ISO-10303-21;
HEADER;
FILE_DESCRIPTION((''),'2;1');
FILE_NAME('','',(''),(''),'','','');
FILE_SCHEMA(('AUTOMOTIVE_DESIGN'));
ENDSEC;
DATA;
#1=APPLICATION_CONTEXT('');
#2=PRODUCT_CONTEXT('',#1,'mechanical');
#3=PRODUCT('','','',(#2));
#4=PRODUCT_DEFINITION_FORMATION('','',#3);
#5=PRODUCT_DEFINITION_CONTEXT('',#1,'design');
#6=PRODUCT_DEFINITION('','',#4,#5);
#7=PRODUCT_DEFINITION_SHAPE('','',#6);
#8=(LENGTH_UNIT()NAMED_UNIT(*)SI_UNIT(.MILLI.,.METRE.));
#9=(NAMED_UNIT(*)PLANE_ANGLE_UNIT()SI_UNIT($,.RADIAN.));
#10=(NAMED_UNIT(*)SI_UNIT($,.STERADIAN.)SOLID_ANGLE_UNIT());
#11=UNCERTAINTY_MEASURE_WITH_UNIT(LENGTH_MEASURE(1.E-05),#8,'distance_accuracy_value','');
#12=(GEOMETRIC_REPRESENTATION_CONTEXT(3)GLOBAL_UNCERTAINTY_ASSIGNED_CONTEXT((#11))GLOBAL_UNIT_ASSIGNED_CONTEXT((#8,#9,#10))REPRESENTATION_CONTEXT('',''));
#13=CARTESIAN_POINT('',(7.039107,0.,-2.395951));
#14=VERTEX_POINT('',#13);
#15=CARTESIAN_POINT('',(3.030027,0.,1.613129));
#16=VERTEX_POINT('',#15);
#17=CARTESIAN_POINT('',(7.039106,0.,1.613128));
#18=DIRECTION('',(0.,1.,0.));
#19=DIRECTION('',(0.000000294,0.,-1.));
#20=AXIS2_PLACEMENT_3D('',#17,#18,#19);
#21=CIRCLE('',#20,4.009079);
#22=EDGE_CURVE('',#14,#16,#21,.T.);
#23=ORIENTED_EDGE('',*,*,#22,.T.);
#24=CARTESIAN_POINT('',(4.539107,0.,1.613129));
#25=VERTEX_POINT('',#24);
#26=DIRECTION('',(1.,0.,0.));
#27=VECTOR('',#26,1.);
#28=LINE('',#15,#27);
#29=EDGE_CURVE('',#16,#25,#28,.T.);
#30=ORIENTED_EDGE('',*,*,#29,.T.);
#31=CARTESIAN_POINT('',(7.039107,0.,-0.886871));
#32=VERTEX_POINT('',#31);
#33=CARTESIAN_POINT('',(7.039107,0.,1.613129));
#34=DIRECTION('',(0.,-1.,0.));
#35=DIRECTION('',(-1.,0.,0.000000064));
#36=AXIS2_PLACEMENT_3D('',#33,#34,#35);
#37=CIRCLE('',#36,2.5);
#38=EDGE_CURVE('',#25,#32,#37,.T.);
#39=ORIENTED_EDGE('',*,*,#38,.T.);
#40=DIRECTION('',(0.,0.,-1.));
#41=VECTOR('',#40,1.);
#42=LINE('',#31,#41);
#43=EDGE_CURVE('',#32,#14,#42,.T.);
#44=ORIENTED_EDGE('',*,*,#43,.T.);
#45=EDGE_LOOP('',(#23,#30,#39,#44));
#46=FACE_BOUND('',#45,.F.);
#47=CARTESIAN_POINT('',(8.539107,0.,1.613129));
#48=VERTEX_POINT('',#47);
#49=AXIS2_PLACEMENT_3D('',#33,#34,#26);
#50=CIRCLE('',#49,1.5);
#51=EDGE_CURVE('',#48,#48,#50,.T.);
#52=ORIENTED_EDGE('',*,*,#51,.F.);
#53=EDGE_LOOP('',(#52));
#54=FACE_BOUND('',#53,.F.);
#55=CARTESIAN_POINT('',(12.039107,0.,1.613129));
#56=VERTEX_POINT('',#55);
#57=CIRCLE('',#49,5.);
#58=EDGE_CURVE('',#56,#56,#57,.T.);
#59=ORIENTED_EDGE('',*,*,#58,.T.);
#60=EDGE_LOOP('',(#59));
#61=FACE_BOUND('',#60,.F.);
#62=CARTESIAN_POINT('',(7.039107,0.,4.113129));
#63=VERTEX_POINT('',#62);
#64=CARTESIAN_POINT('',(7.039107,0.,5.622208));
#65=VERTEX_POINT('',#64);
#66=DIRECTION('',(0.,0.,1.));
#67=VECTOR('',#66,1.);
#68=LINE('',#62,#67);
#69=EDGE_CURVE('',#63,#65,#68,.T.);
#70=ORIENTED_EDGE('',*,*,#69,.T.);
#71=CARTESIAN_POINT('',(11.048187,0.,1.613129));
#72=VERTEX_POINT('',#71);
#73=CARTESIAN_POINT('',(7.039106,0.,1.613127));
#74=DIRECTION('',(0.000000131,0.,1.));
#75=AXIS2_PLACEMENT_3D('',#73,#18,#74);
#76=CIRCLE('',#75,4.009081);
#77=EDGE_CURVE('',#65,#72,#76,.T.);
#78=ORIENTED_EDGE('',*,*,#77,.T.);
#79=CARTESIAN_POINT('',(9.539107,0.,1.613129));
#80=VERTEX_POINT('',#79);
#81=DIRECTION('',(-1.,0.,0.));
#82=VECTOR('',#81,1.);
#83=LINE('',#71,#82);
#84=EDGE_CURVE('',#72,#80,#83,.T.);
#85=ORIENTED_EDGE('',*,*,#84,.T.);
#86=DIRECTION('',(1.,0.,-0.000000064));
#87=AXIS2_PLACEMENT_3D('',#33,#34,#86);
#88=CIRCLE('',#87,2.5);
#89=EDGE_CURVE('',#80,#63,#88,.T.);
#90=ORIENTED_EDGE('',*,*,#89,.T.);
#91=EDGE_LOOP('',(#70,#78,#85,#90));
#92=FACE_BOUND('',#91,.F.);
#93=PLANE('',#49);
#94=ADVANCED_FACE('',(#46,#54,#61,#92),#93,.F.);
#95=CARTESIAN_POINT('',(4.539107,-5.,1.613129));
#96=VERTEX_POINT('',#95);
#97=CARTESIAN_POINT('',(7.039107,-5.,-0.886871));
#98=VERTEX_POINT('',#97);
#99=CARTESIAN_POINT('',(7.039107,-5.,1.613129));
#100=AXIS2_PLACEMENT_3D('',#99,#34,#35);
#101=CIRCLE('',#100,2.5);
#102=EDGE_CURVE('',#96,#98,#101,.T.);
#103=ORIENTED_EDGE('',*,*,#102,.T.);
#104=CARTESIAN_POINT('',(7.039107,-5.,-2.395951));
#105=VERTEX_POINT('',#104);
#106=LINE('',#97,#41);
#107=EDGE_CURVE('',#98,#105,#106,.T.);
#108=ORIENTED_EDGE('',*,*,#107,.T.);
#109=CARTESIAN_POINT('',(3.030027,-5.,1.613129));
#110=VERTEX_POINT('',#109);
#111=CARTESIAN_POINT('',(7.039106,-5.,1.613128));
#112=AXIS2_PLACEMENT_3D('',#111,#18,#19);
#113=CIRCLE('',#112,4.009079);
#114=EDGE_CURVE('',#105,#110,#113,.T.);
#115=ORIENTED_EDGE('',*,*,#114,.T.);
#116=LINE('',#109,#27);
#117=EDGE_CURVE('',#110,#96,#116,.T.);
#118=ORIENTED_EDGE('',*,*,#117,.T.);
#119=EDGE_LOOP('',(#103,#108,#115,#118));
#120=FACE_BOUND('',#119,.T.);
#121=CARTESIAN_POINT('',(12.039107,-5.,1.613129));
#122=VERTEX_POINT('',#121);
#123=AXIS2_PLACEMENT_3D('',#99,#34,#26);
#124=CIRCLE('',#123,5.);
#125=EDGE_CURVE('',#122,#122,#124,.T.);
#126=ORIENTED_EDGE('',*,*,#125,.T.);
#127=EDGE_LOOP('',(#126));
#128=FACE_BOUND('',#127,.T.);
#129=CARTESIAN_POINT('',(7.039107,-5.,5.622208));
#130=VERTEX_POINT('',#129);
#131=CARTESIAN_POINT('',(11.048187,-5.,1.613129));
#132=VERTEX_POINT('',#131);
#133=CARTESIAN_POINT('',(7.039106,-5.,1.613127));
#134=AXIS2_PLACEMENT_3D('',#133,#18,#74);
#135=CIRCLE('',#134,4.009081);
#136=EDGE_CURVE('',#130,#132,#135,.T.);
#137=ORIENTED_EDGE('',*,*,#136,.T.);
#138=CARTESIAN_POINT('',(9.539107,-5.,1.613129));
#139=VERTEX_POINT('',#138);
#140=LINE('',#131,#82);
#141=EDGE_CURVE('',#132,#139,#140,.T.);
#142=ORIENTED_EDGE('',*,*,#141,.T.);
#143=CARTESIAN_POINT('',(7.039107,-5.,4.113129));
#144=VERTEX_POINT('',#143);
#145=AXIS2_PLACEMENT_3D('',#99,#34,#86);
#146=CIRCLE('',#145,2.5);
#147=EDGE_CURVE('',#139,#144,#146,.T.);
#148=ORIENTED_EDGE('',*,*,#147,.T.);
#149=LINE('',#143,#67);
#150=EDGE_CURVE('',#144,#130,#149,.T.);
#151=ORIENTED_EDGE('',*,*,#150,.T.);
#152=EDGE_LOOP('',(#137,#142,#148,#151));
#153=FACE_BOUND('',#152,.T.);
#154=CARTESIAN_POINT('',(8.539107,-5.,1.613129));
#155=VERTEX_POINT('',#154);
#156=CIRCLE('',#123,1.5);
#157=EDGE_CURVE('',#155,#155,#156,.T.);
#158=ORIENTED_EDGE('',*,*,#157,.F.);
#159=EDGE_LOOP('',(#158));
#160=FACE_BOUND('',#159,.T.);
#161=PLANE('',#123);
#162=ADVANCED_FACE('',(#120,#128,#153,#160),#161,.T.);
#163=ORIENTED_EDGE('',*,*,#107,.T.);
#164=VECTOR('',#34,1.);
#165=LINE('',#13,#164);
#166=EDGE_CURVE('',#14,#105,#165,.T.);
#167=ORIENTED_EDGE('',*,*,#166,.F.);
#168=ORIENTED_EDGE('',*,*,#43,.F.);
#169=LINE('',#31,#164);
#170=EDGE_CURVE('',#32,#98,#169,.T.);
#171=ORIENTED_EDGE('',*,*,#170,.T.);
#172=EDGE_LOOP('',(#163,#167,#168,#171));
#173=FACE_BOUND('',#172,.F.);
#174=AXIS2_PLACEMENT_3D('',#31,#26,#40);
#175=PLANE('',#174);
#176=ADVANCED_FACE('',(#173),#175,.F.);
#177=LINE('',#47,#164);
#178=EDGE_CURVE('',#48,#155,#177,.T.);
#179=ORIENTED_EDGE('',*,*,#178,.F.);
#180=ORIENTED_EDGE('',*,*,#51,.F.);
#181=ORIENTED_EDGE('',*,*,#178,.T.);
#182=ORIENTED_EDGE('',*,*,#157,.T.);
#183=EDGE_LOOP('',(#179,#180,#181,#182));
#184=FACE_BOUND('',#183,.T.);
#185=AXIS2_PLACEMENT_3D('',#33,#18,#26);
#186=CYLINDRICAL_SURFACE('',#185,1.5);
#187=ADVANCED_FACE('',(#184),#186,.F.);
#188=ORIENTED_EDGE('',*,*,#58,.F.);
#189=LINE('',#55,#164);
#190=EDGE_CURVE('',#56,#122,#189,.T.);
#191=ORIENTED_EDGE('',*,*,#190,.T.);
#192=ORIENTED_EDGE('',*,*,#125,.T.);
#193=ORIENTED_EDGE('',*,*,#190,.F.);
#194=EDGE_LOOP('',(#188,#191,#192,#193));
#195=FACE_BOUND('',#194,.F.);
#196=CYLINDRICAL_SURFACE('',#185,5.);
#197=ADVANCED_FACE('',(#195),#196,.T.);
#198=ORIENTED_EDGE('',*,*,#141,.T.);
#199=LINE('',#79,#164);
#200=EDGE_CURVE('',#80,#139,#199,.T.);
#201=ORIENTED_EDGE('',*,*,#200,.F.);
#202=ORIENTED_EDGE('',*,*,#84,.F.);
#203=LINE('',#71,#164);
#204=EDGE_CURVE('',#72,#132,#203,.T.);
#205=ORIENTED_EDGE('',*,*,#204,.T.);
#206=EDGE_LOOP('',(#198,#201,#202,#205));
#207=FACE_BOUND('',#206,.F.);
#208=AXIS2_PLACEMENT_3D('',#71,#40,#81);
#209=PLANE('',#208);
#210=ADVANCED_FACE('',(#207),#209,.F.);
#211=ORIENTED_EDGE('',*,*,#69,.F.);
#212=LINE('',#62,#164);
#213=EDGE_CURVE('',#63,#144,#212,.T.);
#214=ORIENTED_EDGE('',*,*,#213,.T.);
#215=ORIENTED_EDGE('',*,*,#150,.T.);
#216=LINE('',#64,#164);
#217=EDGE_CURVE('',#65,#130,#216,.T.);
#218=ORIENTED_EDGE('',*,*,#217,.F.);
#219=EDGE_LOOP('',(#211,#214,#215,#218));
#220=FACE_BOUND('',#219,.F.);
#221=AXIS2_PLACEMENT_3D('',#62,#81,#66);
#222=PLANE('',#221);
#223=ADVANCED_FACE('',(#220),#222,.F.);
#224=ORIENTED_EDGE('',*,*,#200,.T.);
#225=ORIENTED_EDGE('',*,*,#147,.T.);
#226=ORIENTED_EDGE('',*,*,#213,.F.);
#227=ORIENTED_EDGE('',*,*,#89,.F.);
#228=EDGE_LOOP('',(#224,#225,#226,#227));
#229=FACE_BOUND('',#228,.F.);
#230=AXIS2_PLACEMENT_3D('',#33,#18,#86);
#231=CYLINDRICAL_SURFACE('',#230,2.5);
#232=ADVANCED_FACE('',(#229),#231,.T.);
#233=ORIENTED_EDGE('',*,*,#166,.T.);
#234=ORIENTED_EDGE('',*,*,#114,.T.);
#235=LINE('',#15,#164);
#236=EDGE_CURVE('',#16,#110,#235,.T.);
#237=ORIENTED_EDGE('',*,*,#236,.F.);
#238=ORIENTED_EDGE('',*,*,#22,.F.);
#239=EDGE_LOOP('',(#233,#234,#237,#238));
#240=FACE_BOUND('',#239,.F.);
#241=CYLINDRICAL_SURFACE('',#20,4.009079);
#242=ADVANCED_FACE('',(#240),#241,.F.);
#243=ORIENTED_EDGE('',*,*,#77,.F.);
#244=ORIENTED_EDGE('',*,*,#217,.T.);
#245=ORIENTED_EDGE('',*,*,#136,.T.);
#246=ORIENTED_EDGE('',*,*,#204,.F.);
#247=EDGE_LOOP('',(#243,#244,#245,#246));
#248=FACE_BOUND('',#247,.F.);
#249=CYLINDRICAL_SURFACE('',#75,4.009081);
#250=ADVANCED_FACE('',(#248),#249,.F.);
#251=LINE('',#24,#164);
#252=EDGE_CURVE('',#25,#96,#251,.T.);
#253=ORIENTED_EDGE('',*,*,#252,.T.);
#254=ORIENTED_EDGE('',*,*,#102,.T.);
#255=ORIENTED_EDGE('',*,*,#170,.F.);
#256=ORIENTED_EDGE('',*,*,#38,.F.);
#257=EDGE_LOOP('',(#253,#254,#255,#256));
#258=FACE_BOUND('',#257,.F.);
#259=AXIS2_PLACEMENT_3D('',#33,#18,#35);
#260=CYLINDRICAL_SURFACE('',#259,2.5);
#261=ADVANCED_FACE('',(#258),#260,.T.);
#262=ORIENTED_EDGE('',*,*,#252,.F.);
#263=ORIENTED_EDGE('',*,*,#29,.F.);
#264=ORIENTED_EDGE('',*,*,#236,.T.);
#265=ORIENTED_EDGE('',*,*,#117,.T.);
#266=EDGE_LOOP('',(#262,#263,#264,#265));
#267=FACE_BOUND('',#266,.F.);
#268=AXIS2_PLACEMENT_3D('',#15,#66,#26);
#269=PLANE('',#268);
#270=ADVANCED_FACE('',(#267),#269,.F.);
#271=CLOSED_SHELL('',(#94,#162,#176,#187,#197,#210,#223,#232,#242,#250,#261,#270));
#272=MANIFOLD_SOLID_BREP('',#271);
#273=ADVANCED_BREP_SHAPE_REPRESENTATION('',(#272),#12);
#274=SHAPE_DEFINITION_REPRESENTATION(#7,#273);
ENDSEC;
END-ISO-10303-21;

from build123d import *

# Parameters (mm, degrees)
F0_R     = 5
F0_R_2   = 1.5
F1_DEPTH = 5


with BuildPart() as f1:
    # F0 (on Front) → F1 (new body)
    with BuildSketch(Plane.XZ):
        with Locations((7.039107, 1.613129)):
            Circle(F0_R)
        with BuildLine():
            Line((3.030027, 1.613129), (4.539107, 1.613129))
            ThreePointArc((4.539107, 1.613129), (5.27134, -0.154638), (7.039107, -0.886871))
            Line((7.039107, -0.886871), (7.039107, -2.395951))
            ThreePointArc((7.039107, -2.395951), (4.204259, -1.221719), (3.030027, 1.613129))
        make_face(mode=Mode.SUBTRACT)
        with Locations((7.039107, 1.613129)):
            Circle(F0_R_2, mode=Mode.SUBTRACT)
        with BuildLine():
            ThreePointArc((9.539107, 1.613129), (8.806874, 3.380896), (7.039107, 4.113129))
            Line((7.039107, 4.113129), (7.039107, 5.622208))
            ThreePointArc((7.039107, 5.622208), (9.873954, 4.447976), (11.048187, 1.613129))
            Line((11.048187, 1.613129), (9.539107, 1.613129))
        make_face(mode=Mode.SUBTRACT)
    extrude(amount=F1_DEPTH)


solid = f1.part
